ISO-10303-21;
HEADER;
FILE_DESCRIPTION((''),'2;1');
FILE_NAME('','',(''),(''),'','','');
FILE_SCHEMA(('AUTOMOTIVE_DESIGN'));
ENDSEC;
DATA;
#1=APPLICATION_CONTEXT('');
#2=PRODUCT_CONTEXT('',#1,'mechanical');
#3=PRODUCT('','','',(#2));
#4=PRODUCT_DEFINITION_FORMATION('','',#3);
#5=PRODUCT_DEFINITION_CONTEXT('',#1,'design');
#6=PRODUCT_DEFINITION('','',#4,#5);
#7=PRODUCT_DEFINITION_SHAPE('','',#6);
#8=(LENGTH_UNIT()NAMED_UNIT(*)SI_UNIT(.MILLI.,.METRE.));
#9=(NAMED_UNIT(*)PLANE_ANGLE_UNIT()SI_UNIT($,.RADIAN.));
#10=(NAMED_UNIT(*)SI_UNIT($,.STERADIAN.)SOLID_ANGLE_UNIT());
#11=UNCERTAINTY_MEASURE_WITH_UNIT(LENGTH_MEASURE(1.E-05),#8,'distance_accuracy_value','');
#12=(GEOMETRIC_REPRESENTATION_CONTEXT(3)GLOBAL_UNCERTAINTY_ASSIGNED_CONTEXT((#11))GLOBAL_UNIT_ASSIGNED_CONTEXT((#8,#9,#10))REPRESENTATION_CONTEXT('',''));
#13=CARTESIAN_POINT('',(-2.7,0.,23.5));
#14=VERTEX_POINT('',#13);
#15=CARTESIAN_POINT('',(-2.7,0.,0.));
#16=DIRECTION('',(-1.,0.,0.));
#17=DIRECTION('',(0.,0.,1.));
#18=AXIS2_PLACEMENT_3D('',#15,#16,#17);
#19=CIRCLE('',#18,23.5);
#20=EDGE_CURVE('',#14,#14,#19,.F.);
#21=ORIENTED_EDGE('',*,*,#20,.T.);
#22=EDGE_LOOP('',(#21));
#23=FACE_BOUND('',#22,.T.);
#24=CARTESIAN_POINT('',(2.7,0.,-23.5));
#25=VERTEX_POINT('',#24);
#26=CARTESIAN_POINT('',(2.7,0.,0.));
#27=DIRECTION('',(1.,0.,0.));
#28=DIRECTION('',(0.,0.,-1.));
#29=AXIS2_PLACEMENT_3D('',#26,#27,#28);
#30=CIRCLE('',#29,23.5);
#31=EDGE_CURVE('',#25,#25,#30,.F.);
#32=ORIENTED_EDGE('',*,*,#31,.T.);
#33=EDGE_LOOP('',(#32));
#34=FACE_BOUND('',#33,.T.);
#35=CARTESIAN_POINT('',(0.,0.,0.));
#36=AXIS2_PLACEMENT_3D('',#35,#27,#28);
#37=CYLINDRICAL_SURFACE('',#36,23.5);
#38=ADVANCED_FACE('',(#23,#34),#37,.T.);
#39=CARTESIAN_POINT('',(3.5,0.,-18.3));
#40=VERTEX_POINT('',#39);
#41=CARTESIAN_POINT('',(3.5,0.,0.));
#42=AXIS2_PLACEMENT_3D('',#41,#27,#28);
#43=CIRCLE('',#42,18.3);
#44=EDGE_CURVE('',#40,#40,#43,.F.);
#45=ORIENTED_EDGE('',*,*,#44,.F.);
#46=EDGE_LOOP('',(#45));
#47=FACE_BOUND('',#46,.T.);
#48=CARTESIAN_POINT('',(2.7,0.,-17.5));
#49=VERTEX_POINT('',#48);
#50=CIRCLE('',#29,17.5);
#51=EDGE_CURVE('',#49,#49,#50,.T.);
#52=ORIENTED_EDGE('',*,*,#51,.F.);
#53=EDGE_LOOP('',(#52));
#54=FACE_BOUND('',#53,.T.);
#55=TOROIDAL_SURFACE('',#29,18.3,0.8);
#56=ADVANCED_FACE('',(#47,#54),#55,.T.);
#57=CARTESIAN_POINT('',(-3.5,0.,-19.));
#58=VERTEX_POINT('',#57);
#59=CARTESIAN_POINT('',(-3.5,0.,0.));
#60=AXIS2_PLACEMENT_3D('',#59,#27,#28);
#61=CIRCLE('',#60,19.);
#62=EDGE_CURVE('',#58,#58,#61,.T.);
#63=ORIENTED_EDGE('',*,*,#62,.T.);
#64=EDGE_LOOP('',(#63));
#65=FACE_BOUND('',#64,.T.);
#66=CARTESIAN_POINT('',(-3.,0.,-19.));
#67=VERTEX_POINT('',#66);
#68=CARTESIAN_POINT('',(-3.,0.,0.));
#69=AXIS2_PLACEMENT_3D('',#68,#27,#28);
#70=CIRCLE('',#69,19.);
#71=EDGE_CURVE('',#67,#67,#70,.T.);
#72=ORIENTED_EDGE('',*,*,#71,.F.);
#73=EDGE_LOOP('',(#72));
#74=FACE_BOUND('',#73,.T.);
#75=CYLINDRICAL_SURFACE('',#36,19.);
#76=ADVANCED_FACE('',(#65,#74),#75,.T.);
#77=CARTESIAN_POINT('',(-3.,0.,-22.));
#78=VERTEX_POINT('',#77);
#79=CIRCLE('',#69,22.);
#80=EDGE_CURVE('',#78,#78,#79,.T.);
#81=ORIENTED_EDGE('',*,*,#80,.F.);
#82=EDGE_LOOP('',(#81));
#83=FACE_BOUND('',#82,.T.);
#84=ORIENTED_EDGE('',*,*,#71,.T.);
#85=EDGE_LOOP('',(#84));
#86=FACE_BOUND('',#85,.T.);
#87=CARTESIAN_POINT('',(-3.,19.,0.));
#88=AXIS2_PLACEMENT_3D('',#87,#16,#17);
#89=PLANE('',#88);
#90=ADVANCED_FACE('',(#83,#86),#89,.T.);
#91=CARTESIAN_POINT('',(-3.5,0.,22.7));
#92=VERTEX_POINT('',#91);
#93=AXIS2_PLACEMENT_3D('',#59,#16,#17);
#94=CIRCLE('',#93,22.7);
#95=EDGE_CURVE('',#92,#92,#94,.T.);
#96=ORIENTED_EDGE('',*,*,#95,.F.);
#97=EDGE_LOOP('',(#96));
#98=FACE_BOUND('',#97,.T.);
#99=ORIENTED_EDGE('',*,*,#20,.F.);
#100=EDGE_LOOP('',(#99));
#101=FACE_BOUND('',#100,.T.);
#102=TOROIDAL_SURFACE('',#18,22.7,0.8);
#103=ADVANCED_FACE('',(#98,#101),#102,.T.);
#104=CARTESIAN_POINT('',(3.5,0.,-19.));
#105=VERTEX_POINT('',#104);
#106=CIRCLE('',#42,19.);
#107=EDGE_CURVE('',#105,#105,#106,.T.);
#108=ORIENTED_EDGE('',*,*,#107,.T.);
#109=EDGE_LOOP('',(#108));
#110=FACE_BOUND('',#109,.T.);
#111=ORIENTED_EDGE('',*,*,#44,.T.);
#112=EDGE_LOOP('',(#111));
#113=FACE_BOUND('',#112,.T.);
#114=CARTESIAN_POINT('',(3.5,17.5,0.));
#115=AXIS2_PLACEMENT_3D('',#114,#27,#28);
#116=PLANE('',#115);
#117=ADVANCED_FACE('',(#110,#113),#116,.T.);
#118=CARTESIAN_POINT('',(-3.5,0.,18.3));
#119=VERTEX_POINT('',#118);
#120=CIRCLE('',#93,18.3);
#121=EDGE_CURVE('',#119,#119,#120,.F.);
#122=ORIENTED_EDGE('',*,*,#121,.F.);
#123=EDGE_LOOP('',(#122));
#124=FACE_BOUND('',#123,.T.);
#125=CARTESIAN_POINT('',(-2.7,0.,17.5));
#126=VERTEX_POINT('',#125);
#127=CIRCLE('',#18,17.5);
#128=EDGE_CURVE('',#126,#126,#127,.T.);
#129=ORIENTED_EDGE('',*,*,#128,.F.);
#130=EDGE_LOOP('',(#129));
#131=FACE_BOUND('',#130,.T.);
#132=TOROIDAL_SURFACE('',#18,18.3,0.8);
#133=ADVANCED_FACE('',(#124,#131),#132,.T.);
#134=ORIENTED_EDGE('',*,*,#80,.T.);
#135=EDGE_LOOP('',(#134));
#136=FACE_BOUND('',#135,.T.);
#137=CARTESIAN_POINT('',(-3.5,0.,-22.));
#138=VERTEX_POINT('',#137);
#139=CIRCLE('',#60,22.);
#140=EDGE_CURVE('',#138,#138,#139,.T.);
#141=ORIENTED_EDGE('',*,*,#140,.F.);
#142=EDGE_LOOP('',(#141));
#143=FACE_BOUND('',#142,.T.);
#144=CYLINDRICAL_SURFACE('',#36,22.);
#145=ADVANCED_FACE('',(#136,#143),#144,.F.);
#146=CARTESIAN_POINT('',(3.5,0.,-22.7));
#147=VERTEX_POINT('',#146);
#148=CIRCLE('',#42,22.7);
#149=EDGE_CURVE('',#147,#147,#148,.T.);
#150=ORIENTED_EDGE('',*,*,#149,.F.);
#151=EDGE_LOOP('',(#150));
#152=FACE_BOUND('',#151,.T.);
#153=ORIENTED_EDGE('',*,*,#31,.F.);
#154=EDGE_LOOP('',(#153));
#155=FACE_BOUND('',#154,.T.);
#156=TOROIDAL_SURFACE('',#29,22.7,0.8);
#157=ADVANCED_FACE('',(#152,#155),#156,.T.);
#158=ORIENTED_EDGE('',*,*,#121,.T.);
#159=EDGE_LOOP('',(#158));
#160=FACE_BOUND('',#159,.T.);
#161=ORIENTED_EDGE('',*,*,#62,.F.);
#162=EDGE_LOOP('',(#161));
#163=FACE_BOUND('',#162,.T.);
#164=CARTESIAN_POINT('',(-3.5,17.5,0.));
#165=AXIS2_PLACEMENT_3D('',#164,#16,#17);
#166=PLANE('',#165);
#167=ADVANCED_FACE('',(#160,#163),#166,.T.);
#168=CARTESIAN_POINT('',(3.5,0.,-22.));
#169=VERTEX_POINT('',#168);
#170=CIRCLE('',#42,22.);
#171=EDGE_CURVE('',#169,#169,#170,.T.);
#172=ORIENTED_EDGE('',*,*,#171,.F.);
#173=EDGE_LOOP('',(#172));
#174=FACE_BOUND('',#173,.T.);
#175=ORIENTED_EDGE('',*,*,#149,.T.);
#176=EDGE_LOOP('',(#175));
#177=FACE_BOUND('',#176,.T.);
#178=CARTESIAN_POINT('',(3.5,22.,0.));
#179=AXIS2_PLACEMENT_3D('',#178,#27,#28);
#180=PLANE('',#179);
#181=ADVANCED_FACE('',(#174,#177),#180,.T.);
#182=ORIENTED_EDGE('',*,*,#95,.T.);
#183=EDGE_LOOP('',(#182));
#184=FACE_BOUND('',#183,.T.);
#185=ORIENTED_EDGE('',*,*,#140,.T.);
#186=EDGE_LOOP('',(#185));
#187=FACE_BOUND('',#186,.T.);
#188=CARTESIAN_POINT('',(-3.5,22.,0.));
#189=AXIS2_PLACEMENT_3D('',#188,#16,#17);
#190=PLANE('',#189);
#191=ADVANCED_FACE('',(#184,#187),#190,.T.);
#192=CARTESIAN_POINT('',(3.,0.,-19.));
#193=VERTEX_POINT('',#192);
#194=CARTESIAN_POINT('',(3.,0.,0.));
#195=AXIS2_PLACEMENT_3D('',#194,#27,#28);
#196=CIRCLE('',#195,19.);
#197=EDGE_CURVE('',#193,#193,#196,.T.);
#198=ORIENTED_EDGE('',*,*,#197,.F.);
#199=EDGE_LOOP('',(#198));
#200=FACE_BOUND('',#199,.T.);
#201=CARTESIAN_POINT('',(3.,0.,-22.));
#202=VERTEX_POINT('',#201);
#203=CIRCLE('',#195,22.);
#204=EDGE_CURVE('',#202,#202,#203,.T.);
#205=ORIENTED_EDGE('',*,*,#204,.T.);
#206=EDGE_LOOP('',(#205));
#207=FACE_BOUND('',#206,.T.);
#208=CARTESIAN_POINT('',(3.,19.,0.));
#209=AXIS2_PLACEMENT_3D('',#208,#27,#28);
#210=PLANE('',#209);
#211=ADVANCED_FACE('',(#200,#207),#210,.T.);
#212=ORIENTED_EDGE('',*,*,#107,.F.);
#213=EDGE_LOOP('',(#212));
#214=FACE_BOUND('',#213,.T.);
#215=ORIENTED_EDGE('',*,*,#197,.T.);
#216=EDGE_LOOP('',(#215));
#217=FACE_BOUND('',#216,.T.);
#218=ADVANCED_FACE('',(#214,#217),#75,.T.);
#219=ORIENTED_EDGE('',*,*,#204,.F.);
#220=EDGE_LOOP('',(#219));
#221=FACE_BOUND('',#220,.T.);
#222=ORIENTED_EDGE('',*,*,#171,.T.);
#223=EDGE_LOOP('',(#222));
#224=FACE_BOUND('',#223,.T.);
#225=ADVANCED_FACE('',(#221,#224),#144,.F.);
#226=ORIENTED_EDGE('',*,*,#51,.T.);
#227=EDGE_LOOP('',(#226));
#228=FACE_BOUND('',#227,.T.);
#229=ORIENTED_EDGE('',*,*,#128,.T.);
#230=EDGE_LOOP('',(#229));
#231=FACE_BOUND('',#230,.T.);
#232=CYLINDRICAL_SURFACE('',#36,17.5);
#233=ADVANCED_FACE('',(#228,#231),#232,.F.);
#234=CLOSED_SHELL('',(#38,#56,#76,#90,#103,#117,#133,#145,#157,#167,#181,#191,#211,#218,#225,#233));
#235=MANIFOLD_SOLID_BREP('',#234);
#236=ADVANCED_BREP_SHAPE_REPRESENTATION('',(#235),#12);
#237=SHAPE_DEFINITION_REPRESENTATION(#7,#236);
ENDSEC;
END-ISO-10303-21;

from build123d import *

# Parameters (mm, degrees)
FILLET_1_R = 0.8


with BuildPart() as part:
    # Эскиз1 → Повернуть1 (revolve)
    with BuildSketch(Plane.XY):
        Polygon((3.5, 17.5), (-3.5, 17.5), (-3.5, 19), (-3, 19), (-3, 22), (-3.5, 22), (-3.5, 23.5), (3.5, 23.5), (3.5, 22), (3, 22), (3, 19), (3.5, 19), align=None)
    revolve(axis=Axis((0, 0, 0), (-1, 0, 0)))

    # Скругление1
    fillet_1_edges = [part.edges().sort_by_distance(p)[0] for p in [
        (-3.5, -23.5, 0),
        (3.5, -23.5, 0),
        (3.5, -17.5, 0),
        (-3.5, -17.5, 0),
    ]]
    fillet(fillet_1_edges, radius=FILLET_1_R)


solid = part.part
